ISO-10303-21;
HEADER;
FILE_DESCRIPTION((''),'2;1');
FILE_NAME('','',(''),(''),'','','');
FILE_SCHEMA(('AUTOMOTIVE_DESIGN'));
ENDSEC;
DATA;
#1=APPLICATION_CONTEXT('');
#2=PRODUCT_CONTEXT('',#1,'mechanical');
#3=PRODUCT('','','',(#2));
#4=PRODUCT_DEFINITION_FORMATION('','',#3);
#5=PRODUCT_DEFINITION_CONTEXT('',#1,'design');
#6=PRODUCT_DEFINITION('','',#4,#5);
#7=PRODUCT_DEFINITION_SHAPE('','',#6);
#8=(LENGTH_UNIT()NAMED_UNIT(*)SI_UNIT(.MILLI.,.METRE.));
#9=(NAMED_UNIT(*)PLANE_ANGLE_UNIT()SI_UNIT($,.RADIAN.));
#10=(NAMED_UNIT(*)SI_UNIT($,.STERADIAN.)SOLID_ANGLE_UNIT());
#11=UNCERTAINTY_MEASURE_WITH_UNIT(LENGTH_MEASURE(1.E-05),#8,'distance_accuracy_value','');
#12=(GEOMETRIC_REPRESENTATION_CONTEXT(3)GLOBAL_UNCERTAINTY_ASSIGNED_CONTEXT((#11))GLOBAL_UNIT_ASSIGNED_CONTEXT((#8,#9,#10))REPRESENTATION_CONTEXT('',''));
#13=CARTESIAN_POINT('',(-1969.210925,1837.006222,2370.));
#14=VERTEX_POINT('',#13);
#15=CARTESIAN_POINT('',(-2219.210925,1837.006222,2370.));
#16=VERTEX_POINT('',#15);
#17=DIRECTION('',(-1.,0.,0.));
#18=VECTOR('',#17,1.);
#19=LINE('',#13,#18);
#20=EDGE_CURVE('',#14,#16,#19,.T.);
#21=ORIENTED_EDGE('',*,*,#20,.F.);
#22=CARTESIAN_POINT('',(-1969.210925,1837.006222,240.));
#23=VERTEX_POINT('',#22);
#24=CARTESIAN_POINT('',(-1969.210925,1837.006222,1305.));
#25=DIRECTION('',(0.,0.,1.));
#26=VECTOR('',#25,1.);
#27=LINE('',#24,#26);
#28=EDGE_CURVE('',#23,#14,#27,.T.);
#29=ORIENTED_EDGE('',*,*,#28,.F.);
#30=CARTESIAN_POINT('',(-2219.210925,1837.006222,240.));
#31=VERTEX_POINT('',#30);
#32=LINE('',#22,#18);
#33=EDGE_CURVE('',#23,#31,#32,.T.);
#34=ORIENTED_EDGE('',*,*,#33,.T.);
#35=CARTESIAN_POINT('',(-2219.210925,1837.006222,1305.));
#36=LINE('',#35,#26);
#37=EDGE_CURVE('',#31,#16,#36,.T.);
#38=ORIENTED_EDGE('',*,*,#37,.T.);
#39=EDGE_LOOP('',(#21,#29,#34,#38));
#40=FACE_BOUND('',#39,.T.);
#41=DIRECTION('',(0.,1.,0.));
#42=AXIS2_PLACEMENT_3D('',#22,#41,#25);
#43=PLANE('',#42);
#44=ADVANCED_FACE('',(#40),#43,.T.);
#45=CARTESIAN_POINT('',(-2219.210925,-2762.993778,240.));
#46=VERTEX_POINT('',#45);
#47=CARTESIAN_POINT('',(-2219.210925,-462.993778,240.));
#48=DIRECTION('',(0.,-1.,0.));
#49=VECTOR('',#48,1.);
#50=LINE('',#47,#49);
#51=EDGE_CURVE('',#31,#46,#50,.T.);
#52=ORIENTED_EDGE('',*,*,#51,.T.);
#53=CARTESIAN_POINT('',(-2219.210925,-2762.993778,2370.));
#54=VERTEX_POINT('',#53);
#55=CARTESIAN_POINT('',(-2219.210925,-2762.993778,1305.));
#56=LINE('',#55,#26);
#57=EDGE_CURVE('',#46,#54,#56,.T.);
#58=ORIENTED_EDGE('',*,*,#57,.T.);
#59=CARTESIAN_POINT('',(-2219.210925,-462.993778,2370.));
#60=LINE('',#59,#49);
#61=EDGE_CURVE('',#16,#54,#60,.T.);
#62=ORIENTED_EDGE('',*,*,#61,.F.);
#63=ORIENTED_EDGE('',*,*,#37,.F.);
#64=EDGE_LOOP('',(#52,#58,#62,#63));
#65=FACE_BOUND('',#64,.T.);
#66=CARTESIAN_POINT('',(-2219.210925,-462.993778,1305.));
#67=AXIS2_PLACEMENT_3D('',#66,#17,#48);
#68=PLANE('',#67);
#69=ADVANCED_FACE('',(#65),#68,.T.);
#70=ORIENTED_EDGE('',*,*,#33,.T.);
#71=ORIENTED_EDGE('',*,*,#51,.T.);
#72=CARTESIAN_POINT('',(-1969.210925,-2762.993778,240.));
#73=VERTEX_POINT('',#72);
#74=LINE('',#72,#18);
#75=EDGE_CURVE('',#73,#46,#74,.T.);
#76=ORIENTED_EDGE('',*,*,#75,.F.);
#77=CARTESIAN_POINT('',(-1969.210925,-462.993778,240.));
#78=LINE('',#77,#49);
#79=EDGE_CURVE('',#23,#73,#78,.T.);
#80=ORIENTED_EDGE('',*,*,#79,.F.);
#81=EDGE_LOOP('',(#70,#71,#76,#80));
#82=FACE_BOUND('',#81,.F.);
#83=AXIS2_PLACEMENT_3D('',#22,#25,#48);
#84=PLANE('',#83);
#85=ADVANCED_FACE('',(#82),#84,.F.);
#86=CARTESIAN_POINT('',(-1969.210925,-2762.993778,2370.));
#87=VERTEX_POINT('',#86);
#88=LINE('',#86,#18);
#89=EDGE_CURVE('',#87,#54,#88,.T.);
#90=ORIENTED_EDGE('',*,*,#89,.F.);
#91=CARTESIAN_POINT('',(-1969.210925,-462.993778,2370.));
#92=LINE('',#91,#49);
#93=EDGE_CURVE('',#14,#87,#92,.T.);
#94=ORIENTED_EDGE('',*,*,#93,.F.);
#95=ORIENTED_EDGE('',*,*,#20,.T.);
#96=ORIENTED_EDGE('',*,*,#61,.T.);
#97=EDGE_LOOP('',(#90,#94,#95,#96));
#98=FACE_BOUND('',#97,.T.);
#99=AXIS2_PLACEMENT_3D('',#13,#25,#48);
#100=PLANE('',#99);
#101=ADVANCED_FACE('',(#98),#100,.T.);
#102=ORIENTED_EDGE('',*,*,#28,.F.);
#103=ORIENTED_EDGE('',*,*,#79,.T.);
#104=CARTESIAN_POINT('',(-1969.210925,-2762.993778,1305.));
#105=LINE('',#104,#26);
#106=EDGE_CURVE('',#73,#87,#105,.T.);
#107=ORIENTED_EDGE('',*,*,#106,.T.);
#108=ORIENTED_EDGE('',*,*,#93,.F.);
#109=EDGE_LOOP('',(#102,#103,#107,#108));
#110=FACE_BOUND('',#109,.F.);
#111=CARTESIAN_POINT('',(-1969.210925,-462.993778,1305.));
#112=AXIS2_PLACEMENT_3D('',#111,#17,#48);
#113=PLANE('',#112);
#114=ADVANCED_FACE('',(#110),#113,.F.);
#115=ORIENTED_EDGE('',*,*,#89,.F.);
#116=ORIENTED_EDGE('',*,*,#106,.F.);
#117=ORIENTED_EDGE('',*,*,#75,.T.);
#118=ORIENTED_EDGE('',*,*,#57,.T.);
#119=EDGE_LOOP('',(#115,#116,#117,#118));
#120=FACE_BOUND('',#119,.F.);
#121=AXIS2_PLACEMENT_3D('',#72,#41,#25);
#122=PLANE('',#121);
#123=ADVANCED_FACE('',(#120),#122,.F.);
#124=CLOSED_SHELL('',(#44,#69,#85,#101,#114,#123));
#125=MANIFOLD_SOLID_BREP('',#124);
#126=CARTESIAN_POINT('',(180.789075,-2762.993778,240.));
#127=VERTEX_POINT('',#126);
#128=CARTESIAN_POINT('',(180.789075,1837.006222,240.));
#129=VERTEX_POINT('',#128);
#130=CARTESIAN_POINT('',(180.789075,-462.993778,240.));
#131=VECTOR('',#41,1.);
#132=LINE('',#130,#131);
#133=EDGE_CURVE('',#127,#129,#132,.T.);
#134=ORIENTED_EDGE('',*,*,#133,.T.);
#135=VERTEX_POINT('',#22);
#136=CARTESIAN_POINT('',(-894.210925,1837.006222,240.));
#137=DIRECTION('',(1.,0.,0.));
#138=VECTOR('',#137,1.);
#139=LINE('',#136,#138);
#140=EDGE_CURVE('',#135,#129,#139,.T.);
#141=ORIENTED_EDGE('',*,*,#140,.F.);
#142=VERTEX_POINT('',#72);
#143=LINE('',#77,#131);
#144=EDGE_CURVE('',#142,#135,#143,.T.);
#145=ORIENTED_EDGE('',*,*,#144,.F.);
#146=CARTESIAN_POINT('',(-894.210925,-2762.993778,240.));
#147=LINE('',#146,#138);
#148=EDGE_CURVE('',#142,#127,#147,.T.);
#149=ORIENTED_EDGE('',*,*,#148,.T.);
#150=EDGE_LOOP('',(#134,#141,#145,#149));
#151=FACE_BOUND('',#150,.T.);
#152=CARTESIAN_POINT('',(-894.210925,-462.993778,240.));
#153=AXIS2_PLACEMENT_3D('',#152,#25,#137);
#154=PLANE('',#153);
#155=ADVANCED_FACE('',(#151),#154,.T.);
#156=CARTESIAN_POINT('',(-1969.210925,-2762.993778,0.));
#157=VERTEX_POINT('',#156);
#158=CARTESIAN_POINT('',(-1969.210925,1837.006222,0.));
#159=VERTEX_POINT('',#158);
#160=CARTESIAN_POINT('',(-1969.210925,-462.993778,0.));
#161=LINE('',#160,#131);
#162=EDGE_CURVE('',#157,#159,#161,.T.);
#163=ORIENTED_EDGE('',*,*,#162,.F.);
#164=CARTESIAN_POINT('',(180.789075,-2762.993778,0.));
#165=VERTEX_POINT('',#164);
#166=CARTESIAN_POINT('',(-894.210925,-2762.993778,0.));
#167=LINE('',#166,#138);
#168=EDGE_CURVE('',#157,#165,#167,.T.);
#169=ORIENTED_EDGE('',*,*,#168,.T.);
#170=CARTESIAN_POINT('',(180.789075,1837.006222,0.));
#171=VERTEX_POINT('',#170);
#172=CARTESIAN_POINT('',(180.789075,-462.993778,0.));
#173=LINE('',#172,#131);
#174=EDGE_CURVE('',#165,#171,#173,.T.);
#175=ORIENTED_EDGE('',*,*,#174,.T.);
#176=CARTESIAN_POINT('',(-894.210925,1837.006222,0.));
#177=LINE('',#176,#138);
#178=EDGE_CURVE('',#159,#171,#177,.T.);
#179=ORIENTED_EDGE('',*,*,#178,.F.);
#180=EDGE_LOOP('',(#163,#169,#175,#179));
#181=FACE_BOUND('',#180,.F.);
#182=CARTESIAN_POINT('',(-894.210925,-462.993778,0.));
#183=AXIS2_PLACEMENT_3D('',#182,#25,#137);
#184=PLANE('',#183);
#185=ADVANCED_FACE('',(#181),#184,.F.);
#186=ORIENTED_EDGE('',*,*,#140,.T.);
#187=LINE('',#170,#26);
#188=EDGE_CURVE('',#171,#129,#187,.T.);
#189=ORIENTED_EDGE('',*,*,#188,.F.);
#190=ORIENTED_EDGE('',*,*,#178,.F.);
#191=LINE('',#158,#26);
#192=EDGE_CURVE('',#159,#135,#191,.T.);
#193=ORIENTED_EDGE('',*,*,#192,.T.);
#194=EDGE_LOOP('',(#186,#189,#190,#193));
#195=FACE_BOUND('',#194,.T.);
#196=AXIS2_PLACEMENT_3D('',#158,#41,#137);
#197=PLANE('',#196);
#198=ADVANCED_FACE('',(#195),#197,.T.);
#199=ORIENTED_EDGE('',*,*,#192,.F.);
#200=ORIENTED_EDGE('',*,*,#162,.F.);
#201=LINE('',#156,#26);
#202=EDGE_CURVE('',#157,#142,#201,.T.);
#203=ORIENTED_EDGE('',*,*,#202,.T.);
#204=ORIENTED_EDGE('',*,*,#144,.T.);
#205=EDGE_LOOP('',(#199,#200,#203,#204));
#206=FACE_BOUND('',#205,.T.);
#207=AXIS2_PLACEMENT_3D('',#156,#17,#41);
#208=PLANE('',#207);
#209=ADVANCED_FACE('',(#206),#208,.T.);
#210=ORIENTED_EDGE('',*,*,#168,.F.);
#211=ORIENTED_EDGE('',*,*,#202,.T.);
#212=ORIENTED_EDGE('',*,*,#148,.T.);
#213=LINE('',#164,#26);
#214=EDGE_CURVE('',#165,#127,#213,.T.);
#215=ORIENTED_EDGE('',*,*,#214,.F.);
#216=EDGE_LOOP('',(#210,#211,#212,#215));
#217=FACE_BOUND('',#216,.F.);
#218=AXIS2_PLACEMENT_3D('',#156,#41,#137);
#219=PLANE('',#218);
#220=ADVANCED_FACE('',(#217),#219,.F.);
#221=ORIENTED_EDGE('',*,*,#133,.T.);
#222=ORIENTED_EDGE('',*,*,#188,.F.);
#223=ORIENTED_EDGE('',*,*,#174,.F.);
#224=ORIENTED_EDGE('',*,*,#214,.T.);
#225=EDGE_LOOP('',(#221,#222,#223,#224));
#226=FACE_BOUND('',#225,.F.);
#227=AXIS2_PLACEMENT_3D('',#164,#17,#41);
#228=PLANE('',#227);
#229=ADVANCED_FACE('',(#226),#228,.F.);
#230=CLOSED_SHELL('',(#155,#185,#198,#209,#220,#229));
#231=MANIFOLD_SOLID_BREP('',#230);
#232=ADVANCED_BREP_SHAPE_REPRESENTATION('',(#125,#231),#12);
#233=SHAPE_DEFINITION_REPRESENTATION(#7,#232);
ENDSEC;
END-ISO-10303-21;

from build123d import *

# Parameters (mm, degrees)
F0_W     = 1000
F0_H     = 1030
F1_DEPTH = 1
F2_W     = 995.0948357582
F2_H     = 1797.5890636444
F3_DEPTH = 100
F5_W     = 2150
F5_H     = 4600
F6_DEPTH = 240
F7_W     = 4600
F7_H     = 2130
F8_DEPTH = 250


with BuildPart() as f1:
    # F0 (on Front) → F1 (new body)
    with BuildSketch(Plane.XZ):
        with Locations((500, 515)):
            Rectangle(F0_W, F0_H)
    extrude(amount=F1_DEPTH)

    # F2 (on Top) → F3 (join)
    with BuildSketch(Plane.XY):
        with Locations((497.5474178791, -898.7945318222)):
            Rectangle(F2_W, F2_H)
    extrude(amount=F3_DEPTH)


with BuildPart() as f6:
    # F5 (on Top) → F6 (new body)
    with BuildSketch(Plane.XY):
        with Locations((-894.210924619, -462.9937782884)):
            Rectangle(F5_W, F5_H)
    extrude(amount=F6_DEPTH)


with BuildPart() as f8:
    # F7 (on face) → F8 (new body)
    with BuildSketch(Plane(origin=(-1969.210924619, 0, 0), x_dir=(0, -1, 0), z_dir=(-1, 0, 0))):
        with Locations((462.9937782884, 1305)):
            Rectangle(F7_W, F7_H)
    extrude(amount=F8_DEPTH)


solid = Compound([f6.part, f8.part])
